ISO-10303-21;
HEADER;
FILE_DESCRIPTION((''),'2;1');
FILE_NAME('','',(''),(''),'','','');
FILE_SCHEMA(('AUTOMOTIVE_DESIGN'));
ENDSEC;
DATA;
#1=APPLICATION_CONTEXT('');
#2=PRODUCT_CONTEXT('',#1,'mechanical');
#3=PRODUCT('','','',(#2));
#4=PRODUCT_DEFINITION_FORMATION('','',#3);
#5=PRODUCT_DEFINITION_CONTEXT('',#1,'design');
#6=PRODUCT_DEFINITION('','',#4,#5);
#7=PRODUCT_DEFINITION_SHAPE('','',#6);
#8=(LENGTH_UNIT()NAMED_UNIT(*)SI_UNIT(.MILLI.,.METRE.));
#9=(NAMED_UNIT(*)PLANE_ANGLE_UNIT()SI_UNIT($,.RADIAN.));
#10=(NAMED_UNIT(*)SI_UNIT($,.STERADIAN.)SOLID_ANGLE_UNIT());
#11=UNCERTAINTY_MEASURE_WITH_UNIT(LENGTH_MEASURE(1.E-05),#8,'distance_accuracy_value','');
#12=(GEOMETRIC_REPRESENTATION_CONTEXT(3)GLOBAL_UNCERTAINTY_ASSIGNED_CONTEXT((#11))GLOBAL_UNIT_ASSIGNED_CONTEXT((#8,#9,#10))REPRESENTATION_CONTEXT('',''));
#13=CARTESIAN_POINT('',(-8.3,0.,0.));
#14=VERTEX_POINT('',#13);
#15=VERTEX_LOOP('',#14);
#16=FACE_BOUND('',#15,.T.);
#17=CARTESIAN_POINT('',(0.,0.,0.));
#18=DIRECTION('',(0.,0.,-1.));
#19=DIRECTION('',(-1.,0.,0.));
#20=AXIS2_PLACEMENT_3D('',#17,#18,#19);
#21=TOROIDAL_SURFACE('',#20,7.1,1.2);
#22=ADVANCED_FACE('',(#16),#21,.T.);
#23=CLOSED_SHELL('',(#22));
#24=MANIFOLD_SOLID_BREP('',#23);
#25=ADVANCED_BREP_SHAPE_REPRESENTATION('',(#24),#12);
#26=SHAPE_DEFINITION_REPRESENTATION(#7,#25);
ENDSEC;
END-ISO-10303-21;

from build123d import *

# Parameters (mm, degrees)
SKETCH2_R = 1.2


with BuildPart() as part:
    # Sweep1: sweep along a path in Sketch1
    with BuildLine(Plane.XY) as sweep1_path:
        CenterArc((0, 0), 5.9, 0, 360)
    # Sketch2 → Sweep1 (sweep)
    with BuildSketch(Plane(origin=(0, 0, 0), x_dir=(1, 0, 0), z_dir=(0, 1, 0))):
        with Locations((-7.1, 0)):
            Circle(SKETCH2_R)
    sweep(path=sweep1_path.line)


solid = part.part
